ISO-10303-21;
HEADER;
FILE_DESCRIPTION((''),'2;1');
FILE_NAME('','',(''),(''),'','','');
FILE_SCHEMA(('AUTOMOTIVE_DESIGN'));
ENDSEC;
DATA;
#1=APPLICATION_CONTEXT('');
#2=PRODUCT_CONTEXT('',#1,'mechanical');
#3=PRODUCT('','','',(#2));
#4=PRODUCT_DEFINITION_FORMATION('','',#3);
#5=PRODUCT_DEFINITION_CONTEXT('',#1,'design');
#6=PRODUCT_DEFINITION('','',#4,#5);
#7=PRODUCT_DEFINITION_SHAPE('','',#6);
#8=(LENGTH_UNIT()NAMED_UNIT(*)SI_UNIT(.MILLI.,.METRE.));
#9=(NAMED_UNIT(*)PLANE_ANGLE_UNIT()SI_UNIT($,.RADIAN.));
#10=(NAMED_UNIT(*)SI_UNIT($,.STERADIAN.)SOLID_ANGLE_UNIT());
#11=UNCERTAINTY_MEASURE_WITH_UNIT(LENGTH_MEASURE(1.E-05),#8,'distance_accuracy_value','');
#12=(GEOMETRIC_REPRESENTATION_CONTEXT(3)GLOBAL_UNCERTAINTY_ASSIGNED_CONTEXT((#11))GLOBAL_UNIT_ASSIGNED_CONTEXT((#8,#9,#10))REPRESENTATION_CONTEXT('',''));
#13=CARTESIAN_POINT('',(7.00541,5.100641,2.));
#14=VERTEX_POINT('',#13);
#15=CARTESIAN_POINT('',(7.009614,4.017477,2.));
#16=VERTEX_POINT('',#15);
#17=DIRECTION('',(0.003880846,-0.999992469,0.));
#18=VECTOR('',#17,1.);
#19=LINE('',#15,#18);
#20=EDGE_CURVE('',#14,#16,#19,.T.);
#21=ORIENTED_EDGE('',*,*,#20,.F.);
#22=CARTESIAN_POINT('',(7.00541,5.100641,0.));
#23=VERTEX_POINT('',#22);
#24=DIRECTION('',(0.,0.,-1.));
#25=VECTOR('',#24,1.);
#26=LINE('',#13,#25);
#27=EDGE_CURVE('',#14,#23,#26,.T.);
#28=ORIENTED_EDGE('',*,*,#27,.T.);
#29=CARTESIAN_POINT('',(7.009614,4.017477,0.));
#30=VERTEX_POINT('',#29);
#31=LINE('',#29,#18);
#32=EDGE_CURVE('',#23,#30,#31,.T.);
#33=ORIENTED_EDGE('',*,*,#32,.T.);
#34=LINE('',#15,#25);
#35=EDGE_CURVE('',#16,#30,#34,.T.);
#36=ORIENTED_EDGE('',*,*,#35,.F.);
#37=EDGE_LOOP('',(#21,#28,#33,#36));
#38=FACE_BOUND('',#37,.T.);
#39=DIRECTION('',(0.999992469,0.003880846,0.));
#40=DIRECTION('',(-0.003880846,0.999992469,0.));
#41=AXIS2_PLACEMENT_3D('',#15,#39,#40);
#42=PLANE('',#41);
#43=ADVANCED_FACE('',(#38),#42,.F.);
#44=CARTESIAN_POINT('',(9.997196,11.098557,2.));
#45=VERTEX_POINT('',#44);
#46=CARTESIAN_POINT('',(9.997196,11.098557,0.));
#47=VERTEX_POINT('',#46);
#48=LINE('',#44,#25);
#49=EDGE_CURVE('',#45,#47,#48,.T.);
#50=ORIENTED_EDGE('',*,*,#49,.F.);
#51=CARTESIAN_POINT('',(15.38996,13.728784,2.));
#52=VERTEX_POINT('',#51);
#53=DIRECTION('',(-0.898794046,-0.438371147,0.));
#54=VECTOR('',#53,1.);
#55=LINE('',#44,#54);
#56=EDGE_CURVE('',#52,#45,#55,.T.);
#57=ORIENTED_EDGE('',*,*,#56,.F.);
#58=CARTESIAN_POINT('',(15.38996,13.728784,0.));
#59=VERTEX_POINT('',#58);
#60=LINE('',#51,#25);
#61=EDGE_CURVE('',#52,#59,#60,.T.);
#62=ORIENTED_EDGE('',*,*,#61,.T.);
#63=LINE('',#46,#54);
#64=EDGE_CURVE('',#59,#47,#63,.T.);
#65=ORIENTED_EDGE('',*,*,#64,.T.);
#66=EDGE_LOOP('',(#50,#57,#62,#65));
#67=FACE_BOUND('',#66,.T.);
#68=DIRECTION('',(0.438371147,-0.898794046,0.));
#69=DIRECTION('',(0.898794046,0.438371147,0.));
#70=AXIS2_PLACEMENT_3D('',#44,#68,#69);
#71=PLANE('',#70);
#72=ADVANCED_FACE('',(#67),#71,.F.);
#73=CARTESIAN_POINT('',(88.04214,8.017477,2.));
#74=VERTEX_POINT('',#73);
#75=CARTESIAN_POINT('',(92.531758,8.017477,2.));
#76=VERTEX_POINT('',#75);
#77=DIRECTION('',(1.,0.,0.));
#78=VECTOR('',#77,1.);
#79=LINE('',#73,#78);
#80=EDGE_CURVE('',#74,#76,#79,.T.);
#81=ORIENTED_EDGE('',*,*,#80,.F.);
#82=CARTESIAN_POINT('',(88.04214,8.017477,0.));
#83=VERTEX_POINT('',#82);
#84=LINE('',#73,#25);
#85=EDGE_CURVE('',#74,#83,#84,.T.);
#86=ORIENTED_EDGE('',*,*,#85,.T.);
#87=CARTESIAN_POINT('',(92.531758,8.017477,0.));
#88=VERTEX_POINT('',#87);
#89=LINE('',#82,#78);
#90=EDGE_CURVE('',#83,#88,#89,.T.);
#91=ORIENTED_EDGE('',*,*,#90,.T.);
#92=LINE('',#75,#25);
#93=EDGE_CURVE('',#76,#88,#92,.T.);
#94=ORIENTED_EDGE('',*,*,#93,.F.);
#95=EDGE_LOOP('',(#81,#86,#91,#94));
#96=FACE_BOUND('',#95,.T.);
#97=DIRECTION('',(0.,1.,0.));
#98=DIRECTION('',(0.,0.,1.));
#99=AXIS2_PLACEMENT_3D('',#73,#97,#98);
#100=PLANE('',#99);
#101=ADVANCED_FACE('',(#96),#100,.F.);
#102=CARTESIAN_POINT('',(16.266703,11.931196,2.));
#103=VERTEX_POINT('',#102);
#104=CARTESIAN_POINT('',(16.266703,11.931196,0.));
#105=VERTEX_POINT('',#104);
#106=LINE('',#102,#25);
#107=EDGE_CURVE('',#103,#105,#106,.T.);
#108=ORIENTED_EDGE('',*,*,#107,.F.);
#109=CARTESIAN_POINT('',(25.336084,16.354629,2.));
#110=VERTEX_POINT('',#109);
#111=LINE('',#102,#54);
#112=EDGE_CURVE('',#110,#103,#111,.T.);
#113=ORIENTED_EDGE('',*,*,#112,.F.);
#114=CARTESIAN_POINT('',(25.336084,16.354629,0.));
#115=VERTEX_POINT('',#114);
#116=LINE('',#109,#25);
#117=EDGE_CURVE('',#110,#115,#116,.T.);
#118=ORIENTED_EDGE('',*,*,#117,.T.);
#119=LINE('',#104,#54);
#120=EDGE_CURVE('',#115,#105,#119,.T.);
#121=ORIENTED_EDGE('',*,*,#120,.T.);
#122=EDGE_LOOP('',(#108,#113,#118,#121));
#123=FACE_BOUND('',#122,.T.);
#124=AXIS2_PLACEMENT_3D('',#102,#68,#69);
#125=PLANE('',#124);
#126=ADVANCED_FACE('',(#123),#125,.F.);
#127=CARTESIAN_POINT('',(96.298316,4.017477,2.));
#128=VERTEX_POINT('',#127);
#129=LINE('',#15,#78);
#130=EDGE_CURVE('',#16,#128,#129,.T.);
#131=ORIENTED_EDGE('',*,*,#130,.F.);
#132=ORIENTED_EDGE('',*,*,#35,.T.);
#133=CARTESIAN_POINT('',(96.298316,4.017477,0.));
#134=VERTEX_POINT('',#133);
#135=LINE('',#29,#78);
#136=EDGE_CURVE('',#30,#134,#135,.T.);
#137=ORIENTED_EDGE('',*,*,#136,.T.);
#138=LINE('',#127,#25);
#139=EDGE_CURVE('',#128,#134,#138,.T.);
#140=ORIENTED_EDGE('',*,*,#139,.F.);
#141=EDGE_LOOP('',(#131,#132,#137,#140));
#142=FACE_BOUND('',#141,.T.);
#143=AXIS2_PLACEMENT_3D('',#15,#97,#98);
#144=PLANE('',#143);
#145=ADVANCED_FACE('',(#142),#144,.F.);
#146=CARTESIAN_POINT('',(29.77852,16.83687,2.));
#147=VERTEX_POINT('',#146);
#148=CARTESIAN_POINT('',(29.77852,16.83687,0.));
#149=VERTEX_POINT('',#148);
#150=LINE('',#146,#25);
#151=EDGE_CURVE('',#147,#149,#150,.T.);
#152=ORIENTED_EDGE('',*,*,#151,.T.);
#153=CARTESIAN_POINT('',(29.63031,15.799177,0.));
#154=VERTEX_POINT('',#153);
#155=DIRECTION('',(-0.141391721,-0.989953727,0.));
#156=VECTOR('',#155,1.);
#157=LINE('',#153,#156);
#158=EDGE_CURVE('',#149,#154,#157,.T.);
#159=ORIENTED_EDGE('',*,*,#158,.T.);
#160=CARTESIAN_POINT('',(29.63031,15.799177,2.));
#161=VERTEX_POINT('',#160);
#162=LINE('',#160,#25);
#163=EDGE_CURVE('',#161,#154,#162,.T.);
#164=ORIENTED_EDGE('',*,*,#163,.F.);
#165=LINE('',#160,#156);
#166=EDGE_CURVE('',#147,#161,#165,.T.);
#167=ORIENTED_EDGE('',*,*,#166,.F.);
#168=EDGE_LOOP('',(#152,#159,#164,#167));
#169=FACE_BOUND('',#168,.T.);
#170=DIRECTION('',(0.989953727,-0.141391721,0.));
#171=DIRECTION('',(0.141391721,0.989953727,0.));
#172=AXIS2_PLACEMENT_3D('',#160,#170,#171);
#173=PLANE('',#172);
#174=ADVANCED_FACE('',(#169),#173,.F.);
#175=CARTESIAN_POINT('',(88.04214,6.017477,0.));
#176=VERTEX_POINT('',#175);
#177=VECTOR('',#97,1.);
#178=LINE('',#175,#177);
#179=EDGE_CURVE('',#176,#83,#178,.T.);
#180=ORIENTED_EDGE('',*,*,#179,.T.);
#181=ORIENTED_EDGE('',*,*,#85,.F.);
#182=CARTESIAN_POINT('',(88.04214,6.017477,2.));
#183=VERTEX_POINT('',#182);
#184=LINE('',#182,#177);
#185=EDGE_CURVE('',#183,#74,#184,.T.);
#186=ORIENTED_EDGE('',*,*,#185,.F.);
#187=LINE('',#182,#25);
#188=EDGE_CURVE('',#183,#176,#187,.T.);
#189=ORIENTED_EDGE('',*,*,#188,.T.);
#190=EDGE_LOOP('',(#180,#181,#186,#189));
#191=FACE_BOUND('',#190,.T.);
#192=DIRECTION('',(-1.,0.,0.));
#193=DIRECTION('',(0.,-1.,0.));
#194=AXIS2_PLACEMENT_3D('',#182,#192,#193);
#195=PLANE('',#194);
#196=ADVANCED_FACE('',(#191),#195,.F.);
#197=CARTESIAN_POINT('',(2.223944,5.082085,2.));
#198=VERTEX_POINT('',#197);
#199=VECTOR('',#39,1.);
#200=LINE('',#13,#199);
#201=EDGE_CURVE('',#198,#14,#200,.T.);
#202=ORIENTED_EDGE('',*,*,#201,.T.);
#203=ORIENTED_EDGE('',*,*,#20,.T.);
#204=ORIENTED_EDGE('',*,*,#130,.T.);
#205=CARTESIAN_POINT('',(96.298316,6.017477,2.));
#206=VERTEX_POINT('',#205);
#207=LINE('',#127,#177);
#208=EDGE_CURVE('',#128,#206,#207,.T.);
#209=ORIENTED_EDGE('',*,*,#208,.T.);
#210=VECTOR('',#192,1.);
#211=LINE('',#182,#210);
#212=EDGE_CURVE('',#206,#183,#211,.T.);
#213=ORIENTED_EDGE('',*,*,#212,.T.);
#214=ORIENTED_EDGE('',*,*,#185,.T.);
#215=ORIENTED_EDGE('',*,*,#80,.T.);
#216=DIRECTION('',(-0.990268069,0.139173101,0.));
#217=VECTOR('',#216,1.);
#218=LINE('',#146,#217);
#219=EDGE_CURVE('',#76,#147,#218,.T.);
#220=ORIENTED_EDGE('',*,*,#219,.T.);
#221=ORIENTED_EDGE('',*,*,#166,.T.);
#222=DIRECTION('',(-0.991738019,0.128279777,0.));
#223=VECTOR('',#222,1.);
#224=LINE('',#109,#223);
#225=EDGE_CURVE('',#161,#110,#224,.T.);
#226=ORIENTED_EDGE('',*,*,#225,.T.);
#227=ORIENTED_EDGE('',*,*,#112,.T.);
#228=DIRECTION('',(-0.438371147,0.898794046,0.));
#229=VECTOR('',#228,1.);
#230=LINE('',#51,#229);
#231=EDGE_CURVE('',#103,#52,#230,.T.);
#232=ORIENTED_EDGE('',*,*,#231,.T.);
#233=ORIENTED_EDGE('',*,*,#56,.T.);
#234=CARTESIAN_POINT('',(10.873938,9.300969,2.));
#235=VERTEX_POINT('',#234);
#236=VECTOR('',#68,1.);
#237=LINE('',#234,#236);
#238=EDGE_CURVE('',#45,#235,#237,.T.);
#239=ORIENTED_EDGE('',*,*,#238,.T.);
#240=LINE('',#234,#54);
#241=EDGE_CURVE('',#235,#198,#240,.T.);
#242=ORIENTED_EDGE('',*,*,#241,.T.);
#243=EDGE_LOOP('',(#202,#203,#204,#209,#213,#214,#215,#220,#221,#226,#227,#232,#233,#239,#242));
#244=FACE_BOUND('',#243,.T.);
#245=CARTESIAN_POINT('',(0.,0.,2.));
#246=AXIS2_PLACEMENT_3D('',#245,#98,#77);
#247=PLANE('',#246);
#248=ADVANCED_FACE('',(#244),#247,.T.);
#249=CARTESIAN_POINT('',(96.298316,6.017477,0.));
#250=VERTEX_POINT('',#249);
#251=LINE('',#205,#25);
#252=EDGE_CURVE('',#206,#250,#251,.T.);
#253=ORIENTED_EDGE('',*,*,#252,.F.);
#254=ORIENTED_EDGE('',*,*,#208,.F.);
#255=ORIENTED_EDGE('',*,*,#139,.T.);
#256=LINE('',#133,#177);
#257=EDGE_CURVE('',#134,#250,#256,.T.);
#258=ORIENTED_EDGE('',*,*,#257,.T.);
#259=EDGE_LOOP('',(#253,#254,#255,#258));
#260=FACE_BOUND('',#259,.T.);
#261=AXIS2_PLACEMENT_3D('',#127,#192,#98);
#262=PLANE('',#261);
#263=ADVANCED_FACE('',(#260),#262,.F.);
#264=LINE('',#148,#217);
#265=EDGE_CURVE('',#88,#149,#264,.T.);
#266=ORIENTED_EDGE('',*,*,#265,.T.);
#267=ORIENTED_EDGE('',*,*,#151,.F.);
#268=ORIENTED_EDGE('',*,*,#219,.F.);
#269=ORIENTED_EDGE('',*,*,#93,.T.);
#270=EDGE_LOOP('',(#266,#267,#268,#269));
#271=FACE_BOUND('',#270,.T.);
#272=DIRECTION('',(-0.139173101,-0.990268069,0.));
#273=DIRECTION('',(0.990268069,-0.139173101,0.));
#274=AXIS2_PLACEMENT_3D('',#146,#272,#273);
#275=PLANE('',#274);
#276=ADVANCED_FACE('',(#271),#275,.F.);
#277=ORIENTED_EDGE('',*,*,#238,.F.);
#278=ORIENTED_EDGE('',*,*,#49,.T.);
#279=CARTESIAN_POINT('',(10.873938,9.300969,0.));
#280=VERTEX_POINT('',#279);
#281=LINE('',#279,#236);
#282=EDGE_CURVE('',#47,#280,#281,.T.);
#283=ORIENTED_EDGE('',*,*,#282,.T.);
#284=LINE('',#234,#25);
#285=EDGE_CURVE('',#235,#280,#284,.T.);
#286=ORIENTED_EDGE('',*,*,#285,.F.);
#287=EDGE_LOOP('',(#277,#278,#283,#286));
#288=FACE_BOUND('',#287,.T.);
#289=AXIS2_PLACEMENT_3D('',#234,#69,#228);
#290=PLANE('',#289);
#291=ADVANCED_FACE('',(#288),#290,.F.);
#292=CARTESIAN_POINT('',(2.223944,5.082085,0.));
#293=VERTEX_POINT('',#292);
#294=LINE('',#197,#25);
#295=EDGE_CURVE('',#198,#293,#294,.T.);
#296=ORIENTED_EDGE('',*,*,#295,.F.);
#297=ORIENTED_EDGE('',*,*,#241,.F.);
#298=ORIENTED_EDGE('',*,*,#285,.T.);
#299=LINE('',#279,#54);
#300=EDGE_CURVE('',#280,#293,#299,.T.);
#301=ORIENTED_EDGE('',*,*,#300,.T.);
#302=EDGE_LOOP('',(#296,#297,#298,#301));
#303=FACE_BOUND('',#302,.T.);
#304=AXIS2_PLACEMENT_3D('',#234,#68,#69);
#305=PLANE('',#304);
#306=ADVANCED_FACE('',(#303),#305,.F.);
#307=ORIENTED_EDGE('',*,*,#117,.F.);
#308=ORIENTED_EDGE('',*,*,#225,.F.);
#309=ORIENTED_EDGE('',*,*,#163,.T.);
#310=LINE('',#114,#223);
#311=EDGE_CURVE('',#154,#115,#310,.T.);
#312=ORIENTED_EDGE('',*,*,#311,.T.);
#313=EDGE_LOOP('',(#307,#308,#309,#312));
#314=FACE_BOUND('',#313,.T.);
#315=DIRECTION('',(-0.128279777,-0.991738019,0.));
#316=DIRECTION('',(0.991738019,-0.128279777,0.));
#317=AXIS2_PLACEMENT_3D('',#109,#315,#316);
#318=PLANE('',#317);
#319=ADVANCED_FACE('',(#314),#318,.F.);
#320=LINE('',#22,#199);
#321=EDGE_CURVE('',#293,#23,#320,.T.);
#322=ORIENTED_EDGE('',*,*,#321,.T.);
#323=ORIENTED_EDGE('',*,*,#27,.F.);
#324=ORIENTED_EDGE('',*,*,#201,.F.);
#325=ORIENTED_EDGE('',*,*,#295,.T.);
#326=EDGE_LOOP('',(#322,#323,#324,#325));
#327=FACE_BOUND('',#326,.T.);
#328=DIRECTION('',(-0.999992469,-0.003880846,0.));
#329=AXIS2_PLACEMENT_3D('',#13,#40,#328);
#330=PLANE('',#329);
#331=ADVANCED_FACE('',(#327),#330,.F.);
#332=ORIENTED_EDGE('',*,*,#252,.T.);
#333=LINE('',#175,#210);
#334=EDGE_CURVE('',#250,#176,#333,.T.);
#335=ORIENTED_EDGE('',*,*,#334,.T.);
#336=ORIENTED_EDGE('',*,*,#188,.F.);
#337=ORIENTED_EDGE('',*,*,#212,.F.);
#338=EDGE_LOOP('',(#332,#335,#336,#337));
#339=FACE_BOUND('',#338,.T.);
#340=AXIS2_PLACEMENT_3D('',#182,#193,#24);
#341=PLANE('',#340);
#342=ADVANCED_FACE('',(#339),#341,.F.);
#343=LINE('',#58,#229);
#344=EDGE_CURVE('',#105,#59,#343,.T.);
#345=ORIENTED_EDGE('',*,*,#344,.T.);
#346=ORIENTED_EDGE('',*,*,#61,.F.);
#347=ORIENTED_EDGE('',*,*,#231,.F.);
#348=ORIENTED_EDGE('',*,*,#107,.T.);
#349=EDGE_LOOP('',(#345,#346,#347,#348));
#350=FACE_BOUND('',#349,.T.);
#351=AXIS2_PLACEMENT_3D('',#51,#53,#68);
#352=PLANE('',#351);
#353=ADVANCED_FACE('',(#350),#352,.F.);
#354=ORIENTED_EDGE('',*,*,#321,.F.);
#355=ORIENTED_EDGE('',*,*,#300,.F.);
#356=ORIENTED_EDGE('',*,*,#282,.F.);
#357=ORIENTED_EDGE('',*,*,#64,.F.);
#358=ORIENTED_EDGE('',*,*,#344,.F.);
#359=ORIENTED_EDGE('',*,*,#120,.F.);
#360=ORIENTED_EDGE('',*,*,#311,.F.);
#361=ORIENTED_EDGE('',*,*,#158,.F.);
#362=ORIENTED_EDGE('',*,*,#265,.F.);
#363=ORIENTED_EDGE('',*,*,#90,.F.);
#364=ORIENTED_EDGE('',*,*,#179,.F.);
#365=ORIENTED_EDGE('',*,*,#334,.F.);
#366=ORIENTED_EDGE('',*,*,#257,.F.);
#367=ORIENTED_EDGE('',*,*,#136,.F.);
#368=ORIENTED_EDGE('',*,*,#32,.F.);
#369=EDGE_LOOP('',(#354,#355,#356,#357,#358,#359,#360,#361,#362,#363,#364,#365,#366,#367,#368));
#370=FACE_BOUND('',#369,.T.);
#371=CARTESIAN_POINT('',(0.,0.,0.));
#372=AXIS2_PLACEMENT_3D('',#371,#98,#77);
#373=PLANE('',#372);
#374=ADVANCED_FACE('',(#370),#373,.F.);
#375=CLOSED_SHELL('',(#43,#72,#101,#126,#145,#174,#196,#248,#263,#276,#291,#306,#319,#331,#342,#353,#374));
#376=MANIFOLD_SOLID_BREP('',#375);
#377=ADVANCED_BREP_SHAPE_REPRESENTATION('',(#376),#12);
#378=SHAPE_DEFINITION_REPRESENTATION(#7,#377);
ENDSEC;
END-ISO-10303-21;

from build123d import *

# Parameters (mm, degrees)
EXTRUDE_1_DEPTH = 2


with BuildPart() as part:
    # Model → 凸台-拉伸1 (new body)
    with BuildSketch(Plane.XY):
        Polygon((10.873938388, 9.300968981), (9.997196094, 11.098557074), (15.389960372, 13.728783954), (16.266702666, 11.931195862), (25.33608429, 16.354628838), (29.630309914, 15.799177404), (29.778519967, 16.836869662), (92.531757755, 8.017477243), (88.04213964, 8.017477243), (88.04213964, 6.017477243), (96.298316036, 6.017477243), (96.298316036, 4.017477243), (7.009613909, 4.017477243), (7.005410285, 5.100641335), (2.223944486, 5.082085064), align=None)
    extrude(amount=EXTRUDE_1_DEPTH)


solid = part.part
